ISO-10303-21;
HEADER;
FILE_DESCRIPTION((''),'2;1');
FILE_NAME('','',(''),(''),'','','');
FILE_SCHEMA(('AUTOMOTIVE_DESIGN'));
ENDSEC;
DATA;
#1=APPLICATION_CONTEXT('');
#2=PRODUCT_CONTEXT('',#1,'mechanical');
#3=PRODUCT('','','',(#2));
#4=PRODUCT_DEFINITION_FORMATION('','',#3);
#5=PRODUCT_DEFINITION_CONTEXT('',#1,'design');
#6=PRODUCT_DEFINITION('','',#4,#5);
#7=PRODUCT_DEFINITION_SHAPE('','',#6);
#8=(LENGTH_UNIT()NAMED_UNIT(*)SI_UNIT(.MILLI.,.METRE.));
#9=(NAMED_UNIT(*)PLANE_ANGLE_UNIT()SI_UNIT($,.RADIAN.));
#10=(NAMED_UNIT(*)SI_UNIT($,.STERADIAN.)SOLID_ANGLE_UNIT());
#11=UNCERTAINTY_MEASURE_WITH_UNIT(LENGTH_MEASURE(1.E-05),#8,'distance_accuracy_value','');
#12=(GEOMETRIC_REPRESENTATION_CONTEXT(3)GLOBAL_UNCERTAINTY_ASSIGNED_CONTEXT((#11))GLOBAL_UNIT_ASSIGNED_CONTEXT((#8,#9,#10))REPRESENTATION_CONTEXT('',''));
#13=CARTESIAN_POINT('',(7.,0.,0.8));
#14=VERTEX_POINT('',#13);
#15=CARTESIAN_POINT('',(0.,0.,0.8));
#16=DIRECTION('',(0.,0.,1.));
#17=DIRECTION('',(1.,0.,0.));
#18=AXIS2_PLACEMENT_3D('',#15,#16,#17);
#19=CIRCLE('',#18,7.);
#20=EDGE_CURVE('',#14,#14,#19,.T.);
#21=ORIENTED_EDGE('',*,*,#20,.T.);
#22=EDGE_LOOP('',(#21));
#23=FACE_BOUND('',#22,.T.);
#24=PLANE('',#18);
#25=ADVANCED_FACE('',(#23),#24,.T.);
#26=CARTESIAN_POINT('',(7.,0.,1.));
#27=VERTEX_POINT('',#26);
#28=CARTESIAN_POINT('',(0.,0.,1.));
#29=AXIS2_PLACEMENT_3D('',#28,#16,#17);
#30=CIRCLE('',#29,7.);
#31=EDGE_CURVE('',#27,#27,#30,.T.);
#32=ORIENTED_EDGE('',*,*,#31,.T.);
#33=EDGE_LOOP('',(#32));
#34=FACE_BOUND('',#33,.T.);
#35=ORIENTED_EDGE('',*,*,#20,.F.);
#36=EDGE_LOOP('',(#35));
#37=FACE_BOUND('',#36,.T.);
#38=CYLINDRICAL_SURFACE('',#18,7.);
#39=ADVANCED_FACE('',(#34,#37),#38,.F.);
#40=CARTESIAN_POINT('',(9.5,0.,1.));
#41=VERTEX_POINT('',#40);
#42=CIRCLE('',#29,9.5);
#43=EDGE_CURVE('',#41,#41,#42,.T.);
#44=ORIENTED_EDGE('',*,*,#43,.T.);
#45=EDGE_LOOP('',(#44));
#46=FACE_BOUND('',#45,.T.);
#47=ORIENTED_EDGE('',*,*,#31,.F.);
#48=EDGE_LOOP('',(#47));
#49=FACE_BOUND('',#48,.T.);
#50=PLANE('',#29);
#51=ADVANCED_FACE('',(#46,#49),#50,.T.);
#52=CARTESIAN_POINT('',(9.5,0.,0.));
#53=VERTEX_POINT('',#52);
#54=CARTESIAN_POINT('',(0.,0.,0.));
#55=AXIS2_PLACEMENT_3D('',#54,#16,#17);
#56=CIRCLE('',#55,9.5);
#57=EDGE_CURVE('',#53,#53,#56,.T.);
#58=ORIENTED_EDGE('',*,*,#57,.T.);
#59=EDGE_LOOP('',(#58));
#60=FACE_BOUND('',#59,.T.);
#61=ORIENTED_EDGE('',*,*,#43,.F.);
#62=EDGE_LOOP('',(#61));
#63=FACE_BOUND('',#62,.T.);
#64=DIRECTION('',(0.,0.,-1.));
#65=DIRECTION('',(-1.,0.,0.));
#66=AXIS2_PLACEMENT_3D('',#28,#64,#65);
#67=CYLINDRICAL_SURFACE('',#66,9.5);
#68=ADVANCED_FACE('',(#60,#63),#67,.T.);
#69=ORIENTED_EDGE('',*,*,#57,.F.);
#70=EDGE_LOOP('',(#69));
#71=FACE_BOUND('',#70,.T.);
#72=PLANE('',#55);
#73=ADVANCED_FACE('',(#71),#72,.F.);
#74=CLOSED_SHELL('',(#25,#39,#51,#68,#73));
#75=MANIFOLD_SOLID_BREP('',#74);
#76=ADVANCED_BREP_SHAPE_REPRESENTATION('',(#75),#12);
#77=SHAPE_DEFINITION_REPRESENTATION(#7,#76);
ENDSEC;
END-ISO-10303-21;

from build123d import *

# Parameters (mm, degrees)
SKETCH1_R           = 9.5
BOSS_EXTRUDE1_DEPTH = 1
SKETCH2_R           = 7
CUT_EXTRUDE1_DEPTH  = 0.2


with BuildPart() as part:
    # Sketch1 → Boss-Extrude1 (new body)
    with BuildSketch(Plane.XY):
        Circle(SKETCH1_R)
    extrude(amount=BOSS_EXTRUDE1_DEPTH)

    # Sketch2 → Cut-Extrude1 (cut)
    with BuildSketch(Plane.XY.offset(1)):
        Circle(SKETCH2_R)
    extrude(amount=-CUT_EXTRUDE1_DEPTH, mode=Mode.SUBTRACT)


solid = part.part
